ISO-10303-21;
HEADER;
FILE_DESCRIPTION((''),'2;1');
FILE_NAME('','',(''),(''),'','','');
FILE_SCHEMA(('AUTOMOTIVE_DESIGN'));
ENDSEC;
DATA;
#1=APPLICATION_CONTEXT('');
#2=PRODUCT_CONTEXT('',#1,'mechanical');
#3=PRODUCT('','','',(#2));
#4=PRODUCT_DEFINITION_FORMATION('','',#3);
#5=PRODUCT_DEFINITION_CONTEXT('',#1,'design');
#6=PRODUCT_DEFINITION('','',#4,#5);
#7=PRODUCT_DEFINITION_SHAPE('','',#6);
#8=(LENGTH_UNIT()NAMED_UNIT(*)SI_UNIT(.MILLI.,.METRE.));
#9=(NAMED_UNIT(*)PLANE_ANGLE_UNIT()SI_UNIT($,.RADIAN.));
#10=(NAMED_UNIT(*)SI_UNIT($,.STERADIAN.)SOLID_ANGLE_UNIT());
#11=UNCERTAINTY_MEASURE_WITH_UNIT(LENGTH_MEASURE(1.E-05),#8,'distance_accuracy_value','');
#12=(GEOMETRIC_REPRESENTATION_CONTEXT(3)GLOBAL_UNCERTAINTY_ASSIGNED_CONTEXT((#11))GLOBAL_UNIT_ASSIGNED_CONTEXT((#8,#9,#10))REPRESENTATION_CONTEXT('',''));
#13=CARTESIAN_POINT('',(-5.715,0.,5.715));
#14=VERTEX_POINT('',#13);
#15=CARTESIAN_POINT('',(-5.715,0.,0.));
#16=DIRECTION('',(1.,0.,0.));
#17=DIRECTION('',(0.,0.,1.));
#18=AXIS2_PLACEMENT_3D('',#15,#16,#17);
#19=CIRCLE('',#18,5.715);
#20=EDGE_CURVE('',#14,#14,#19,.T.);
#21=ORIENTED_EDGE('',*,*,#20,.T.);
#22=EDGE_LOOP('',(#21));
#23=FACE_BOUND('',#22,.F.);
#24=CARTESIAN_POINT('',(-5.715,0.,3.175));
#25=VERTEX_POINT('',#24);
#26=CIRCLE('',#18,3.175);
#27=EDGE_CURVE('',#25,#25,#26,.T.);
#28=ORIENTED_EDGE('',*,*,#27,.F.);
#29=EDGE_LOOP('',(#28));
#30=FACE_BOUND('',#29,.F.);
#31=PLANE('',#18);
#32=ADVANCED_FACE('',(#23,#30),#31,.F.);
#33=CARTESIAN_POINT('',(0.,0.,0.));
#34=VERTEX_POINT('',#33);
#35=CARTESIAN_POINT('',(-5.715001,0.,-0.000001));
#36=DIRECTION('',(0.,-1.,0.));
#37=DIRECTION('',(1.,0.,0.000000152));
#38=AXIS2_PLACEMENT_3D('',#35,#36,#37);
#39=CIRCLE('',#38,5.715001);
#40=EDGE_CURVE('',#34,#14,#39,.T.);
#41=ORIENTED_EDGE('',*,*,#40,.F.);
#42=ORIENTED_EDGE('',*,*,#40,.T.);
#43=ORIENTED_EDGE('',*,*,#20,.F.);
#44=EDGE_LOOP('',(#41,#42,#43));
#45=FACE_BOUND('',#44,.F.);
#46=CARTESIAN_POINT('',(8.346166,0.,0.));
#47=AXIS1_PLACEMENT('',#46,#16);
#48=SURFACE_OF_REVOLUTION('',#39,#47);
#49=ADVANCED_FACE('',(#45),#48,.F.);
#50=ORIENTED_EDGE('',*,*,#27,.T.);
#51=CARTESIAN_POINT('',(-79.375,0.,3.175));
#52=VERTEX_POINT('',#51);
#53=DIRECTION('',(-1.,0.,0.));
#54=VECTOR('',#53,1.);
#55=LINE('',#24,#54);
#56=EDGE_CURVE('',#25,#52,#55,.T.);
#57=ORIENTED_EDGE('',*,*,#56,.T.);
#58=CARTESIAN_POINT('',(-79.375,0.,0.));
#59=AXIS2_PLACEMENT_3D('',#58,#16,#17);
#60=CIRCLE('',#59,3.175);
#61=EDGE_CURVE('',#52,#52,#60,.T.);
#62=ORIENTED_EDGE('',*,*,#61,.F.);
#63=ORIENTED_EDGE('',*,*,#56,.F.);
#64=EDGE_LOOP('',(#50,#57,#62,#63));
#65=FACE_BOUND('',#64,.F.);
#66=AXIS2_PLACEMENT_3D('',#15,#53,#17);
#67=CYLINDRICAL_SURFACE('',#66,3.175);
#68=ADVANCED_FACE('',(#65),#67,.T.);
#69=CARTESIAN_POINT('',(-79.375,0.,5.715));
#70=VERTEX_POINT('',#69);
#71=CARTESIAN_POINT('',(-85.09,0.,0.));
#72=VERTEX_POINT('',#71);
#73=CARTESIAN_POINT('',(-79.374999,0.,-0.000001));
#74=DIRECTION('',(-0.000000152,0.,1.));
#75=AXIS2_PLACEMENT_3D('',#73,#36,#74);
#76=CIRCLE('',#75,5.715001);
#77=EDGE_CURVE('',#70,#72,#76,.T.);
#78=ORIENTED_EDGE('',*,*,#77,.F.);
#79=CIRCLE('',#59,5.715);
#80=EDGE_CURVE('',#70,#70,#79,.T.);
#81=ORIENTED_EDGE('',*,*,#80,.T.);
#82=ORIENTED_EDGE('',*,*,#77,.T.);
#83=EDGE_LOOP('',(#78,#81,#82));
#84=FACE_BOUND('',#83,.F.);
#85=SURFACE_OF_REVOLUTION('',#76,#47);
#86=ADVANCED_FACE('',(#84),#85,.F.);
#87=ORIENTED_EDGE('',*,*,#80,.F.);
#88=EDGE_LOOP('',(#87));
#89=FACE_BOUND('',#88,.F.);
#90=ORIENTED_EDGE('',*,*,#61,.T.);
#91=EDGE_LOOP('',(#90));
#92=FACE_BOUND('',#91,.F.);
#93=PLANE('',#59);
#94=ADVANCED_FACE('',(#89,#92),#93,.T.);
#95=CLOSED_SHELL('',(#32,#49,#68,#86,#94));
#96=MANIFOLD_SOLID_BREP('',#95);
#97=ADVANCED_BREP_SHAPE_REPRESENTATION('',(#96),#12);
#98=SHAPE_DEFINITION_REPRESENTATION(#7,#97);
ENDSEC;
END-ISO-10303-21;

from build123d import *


with BuildPart() as f1:
    # F0 (on Front) → F1 (revolve)
    with BuildSketch(Plane.XZ):
        with BuildLine():
            Line((-79.375, 3.175), (-79.375, 5.715))
            ThreePointArc((-79.375, 5.715), (-83.416115, 4.041115), (-85.09, 0))
            Line((-85.09, 0), (0, 0))
            ThreePointArc((0, 0), (-1.673885, 4.041115), (-5.715, 5.715))
            Line((-5.715, 5.715), (-5.715, 3.175))
            Line((-5.715, 3.175), (-79.375, 3.175))
        make_face()
    revolve(axis=Axis((8.346166, 0, 0), (1, 0, 0)))


solid = f1.part
